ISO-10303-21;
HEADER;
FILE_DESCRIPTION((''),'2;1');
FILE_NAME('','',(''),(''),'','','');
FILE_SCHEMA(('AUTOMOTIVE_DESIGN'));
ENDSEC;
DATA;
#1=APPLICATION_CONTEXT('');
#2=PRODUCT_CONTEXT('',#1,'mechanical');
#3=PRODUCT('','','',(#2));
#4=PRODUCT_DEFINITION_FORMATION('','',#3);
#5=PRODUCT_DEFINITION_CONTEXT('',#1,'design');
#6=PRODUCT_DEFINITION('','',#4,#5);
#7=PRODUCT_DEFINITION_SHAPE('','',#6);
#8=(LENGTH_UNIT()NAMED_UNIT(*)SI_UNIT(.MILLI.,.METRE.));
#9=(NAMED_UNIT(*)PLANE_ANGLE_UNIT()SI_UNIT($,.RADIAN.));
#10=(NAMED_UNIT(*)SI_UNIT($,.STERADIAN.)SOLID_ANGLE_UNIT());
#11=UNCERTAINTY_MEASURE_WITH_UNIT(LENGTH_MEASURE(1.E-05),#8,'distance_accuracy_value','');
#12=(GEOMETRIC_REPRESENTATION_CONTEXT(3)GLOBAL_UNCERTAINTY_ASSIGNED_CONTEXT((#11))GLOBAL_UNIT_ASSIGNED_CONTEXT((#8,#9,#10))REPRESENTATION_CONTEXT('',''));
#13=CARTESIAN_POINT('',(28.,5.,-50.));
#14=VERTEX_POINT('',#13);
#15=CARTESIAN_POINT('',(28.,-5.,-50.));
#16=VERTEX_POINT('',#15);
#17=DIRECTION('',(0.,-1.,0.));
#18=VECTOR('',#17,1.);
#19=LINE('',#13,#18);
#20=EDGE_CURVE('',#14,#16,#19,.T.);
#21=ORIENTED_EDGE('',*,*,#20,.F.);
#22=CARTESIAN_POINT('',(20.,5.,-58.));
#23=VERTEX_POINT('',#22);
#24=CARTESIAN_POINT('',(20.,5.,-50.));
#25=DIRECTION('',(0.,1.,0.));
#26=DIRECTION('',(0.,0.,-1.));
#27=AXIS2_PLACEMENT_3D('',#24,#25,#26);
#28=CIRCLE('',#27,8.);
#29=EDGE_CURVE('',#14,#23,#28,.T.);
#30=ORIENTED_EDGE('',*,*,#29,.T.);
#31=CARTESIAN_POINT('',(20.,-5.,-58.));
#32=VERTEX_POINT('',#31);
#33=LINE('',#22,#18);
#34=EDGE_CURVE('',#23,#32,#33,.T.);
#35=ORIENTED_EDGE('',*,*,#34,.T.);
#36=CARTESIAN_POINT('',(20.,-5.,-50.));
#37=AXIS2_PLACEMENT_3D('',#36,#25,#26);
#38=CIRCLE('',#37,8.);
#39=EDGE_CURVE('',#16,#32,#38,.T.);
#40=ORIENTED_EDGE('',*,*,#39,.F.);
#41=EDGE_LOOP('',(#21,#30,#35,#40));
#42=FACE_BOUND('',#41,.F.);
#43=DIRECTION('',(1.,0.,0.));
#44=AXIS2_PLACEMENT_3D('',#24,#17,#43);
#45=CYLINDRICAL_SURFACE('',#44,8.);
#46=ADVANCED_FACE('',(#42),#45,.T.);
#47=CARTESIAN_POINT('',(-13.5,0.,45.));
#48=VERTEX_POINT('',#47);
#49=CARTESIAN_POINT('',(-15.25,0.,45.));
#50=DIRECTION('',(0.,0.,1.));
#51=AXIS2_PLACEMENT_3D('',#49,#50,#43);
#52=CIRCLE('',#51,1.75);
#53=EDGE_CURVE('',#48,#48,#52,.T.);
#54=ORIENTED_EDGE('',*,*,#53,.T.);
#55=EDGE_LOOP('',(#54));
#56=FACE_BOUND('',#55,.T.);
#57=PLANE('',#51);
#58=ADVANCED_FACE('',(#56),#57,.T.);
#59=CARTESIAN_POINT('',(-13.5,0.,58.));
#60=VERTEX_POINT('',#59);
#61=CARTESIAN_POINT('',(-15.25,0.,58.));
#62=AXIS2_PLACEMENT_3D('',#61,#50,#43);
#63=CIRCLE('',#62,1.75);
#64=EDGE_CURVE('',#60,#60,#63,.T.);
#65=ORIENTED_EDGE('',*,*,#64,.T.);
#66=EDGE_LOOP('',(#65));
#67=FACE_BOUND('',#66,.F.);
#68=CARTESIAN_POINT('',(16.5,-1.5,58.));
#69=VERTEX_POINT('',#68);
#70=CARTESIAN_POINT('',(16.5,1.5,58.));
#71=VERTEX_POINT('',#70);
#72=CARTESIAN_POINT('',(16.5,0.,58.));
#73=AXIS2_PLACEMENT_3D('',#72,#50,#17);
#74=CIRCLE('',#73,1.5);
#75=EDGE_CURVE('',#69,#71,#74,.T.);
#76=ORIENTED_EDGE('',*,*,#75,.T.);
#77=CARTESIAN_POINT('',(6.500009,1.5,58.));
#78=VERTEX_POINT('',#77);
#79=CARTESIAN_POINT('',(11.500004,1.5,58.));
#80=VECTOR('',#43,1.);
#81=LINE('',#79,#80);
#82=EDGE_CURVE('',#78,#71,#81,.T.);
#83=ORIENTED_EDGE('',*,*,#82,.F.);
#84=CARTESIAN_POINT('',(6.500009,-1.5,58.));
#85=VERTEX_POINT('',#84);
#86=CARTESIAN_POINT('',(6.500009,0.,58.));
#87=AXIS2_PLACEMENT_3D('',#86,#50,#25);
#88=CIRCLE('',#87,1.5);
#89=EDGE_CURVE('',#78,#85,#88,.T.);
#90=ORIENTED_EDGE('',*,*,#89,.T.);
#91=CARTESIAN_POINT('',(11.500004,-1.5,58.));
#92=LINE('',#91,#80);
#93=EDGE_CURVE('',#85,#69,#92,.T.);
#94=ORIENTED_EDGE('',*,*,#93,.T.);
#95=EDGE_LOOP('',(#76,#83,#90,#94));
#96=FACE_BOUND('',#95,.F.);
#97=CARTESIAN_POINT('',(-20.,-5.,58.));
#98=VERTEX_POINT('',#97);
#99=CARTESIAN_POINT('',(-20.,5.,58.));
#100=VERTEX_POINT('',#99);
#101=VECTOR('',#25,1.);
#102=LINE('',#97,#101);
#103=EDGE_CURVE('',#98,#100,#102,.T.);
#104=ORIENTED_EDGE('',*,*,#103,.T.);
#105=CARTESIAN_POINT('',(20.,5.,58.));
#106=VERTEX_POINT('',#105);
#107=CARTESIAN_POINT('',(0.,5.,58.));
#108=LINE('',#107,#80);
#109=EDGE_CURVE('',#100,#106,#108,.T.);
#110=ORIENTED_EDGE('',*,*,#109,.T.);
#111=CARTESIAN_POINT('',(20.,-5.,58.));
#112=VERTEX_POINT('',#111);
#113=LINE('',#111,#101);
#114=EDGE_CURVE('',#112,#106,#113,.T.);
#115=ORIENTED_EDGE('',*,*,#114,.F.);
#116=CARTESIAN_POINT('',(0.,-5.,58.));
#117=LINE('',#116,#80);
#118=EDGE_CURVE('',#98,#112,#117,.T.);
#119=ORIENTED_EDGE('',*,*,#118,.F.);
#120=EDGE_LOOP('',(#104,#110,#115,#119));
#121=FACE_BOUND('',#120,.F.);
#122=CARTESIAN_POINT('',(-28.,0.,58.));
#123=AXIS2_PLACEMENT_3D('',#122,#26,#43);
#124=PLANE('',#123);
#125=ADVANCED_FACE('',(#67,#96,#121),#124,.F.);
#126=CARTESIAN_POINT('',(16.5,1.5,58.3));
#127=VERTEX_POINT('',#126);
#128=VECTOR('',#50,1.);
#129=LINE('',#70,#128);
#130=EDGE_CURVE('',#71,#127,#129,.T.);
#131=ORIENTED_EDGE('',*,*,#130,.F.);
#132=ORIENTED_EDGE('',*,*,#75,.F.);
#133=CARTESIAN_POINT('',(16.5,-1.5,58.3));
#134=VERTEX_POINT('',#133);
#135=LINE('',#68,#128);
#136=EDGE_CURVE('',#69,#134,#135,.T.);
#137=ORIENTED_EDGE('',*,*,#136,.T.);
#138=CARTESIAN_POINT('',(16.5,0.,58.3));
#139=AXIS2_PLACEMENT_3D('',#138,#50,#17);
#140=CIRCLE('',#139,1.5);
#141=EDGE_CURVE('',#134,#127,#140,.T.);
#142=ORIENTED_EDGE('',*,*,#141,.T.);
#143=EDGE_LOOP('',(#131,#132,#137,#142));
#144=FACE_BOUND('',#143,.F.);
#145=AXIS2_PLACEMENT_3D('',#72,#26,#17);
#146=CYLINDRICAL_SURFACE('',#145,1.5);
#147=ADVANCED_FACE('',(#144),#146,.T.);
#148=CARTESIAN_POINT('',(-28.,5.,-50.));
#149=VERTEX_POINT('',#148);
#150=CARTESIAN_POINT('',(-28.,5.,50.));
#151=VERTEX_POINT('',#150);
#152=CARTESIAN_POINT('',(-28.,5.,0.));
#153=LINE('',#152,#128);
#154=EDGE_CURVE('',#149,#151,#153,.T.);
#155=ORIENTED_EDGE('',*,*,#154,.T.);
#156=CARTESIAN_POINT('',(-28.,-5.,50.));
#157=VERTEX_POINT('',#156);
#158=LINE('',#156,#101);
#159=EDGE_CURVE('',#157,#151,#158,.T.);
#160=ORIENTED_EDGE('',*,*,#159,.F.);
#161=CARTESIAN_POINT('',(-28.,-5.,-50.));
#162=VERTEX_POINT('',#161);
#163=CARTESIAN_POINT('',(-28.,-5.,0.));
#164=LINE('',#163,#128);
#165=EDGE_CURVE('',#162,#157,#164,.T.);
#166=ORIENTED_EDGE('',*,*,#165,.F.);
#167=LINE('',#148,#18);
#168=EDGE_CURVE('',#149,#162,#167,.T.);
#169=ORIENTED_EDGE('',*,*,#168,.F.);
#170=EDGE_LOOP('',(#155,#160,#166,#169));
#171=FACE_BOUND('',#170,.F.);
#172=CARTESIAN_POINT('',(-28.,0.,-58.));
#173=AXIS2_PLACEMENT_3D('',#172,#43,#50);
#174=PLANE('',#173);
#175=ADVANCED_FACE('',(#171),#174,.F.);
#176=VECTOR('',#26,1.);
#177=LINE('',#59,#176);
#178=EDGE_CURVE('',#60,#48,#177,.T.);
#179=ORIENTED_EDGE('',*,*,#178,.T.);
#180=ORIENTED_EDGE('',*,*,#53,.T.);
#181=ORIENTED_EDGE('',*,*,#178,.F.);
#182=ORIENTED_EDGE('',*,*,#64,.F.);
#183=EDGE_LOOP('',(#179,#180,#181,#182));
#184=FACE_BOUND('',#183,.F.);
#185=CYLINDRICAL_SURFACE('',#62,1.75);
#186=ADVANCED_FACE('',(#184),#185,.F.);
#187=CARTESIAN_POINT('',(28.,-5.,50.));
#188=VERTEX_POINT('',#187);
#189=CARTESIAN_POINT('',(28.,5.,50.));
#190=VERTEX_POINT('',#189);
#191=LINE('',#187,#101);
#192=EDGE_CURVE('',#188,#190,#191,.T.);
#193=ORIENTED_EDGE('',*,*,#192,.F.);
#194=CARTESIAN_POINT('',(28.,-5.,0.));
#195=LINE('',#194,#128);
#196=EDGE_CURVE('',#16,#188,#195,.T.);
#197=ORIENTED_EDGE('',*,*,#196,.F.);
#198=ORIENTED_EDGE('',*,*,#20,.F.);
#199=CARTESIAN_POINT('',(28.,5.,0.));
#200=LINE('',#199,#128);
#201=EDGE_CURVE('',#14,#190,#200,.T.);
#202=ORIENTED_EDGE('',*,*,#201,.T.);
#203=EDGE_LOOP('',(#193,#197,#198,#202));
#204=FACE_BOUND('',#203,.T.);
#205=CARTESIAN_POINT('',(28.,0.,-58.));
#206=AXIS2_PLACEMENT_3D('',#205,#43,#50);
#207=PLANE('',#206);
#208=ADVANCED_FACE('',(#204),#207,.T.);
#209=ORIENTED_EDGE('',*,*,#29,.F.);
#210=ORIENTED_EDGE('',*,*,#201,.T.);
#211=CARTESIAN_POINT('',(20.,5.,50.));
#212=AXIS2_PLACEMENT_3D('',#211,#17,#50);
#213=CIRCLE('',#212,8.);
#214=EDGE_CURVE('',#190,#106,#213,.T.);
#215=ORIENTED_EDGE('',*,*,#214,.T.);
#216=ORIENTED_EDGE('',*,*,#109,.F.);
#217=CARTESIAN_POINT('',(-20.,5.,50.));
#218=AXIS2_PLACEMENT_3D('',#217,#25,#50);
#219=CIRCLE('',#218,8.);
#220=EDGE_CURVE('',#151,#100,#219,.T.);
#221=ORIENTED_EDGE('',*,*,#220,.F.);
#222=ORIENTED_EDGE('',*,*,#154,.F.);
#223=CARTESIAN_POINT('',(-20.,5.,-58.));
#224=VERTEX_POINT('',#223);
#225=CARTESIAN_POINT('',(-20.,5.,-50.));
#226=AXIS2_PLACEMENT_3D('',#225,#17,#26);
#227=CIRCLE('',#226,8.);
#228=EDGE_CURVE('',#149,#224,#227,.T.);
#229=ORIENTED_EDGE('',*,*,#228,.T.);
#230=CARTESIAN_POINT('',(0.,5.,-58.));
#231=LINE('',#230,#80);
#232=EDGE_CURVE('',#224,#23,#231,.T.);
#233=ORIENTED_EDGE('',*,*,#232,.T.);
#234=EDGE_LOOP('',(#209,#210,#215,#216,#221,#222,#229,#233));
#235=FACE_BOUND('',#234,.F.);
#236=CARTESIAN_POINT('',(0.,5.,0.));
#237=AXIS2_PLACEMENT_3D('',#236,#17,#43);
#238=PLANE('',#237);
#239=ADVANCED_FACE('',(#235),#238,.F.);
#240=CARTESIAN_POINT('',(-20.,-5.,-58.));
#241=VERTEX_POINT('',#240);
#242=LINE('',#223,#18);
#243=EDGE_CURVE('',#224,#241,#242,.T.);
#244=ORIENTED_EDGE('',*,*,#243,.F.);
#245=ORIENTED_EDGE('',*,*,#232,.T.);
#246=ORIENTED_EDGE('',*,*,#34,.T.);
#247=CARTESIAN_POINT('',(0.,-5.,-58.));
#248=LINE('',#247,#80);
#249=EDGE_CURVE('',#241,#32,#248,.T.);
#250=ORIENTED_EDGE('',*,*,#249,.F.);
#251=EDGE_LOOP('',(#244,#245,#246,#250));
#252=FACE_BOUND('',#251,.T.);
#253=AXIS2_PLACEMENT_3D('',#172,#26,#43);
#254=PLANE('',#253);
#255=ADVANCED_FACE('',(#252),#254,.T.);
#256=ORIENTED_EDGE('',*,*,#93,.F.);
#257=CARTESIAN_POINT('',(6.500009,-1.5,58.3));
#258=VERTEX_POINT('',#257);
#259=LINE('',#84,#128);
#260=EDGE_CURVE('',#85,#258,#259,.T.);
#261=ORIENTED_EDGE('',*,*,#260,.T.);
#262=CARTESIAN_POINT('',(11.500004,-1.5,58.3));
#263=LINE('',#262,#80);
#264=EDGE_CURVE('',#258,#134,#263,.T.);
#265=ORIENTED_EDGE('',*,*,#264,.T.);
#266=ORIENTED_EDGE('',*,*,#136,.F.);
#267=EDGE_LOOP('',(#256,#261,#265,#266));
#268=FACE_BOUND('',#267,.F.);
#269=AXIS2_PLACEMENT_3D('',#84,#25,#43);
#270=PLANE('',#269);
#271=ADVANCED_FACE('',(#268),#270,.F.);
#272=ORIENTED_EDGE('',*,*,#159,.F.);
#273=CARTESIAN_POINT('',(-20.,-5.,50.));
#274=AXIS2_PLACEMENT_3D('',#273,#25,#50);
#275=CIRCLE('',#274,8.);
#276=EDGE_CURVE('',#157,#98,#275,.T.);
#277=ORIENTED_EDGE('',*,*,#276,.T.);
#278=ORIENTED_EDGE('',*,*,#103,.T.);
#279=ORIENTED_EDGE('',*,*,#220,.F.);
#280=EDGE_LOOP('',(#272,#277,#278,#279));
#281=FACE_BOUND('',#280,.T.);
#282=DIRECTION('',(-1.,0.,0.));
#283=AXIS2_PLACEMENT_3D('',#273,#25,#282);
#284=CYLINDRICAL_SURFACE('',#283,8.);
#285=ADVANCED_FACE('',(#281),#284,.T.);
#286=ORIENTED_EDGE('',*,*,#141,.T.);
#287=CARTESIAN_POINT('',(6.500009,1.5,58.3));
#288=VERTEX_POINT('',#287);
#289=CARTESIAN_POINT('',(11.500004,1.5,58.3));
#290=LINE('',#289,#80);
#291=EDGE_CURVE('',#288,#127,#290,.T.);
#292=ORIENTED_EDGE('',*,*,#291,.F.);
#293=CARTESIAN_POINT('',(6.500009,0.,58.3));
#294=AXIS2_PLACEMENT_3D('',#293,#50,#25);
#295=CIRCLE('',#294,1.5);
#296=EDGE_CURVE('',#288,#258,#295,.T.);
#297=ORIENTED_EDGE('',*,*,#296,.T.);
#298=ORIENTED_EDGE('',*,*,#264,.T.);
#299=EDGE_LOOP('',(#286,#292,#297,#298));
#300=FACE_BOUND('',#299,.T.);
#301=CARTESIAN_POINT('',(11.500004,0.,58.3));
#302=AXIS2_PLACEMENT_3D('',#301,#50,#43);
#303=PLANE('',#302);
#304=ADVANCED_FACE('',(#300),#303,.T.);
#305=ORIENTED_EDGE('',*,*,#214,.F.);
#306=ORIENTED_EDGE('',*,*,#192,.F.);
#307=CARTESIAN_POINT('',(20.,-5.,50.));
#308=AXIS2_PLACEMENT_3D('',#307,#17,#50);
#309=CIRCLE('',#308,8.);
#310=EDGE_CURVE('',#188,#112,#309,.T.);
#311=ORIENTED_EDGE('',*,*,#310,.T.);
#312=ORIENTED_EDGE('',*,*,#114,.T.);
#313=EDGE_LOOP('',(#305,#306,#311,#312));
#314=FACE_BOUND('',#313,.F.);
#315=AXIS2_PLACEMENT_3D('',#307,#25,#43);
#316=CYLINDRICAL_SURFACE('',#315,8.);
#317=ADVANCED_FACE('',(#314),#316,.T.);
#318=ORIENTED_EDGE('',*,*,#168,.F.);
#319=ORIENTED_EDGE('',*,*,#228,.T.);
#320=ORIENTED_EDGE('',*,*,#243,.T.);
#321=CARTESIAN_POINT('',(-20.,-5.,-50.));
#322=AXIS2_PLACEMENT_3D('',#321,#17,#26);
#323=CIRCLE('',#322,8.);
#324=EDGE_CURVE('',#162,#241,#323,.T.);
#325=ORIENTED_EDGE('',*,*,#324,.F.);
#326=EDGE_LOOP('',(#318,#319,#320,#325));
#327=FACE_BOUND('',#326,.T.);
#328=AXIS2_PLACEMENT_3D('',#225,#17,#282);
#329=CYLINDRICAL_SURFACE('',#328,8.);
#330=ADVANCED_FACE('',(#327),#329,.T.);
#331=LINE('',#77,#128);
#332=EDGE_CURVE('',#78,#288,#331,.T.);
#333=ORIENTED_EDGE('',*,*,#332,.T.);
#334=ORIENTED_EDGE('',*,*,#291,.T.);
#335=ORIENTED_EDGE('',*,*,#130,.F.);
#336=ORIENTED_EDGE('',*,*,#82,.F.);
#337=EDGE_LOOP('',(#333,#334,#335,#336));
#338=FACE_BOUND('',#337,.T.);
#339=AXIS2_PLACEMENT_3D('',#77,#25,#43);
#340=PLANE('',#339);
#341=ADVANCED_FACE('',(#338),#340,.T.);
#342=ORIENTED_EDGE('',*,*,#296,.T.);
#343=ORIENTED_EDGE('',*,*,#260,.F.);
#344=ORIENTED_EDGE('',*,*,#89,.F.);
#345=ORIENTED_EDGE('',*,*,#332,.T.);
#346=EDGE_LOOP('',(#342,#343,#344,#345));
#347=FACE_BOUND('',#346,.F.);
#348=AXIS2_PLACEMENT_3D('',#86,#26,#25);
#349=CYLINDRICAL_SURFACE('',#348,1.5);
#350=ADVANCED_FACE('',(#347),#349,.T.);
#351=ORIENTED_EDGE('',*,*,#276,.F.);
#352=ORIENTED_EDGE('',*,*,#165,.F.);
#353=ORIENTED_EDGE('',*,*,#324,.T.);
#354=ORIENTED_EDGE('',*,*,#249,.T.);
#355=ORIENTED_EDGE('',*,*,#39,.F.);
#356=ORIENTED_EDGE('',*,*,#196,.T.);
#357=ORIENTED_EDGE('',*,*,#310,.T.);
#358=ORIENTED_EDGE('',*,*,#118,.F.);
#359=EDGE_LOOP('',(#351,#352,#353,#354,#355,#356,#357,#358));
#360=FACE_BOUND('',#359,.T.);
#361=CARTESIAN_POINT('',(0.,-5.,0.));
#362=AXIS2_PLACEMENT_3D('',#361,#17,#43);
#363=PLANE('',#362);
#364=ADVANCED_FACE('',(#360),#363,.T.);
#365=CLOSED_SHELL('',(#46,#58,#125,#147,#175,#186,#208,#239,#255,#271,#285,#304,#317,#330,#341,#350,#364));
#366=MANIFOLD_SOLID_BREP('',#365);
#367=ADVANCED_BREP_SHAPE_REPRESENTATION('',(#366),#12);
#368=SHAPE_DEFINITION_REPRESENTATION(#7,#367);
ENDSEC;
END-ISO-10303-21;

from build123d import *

# Parameters (mm, degrees)
F0_W     = 56
F0_H     = 116
F1_DEPTH = 5
F2_R     = 8
F3_R     = 1.75
F4_DEPTH = 13
F5_W     = 9.9999913867
F5_H     = 3
F6_DEPTH = 0.3


with BuildPart() as f1:
    # F0 (on Front) → F1 (new body, symmetric)
    with BuildSketch(Plane.XZ):
        Rectangle(F0_W, F0_H)
    extrude(amount=F1_DEPTH, both=True)

    # F2
    f2_edges = [f1.edges().sort_by_distance(p)[0] for p in [
        (-28, 0, 58),
        (28, 0, 58),
        (28, 0, -58),
        (-28, 0, -58),
    ]]
    fillet(f2_edges, radius=F2_R)

    # F3 (on face) → F4 (cut)
    with BuildSketch(Plane.XY.offset(58)):
        with Locations((-15.25, 0)):
            Circle(F3_R)
    extrude(amount=-F4_DEPTH, mode=Mode.SUBTRACT)

    # F5 (on face) → F6 (join)
    with BuildSketch(Plane.XY.offset(58)):
        with Locations((11.5000043066, 0)):
            Rectangle(F5_W, F5_H)
        with BuildLine():
            Line((6.5000086133, -1.5), (6.5000086133, 1.5))
            ThreePointArc((6.5000086133, 1.5), (5.0000086133, 0), (6.5000086133, -1.5))
        make_face()
        with BuildLine():
            ThreePointArc((16.5, -1.5), (18, 0), (16.5, 1.5))
            Line((16.5, 1.5), (16.5, -1.5))
        make_face()
    extrude(amount=F6_DEPTH)


solid = f1.part
